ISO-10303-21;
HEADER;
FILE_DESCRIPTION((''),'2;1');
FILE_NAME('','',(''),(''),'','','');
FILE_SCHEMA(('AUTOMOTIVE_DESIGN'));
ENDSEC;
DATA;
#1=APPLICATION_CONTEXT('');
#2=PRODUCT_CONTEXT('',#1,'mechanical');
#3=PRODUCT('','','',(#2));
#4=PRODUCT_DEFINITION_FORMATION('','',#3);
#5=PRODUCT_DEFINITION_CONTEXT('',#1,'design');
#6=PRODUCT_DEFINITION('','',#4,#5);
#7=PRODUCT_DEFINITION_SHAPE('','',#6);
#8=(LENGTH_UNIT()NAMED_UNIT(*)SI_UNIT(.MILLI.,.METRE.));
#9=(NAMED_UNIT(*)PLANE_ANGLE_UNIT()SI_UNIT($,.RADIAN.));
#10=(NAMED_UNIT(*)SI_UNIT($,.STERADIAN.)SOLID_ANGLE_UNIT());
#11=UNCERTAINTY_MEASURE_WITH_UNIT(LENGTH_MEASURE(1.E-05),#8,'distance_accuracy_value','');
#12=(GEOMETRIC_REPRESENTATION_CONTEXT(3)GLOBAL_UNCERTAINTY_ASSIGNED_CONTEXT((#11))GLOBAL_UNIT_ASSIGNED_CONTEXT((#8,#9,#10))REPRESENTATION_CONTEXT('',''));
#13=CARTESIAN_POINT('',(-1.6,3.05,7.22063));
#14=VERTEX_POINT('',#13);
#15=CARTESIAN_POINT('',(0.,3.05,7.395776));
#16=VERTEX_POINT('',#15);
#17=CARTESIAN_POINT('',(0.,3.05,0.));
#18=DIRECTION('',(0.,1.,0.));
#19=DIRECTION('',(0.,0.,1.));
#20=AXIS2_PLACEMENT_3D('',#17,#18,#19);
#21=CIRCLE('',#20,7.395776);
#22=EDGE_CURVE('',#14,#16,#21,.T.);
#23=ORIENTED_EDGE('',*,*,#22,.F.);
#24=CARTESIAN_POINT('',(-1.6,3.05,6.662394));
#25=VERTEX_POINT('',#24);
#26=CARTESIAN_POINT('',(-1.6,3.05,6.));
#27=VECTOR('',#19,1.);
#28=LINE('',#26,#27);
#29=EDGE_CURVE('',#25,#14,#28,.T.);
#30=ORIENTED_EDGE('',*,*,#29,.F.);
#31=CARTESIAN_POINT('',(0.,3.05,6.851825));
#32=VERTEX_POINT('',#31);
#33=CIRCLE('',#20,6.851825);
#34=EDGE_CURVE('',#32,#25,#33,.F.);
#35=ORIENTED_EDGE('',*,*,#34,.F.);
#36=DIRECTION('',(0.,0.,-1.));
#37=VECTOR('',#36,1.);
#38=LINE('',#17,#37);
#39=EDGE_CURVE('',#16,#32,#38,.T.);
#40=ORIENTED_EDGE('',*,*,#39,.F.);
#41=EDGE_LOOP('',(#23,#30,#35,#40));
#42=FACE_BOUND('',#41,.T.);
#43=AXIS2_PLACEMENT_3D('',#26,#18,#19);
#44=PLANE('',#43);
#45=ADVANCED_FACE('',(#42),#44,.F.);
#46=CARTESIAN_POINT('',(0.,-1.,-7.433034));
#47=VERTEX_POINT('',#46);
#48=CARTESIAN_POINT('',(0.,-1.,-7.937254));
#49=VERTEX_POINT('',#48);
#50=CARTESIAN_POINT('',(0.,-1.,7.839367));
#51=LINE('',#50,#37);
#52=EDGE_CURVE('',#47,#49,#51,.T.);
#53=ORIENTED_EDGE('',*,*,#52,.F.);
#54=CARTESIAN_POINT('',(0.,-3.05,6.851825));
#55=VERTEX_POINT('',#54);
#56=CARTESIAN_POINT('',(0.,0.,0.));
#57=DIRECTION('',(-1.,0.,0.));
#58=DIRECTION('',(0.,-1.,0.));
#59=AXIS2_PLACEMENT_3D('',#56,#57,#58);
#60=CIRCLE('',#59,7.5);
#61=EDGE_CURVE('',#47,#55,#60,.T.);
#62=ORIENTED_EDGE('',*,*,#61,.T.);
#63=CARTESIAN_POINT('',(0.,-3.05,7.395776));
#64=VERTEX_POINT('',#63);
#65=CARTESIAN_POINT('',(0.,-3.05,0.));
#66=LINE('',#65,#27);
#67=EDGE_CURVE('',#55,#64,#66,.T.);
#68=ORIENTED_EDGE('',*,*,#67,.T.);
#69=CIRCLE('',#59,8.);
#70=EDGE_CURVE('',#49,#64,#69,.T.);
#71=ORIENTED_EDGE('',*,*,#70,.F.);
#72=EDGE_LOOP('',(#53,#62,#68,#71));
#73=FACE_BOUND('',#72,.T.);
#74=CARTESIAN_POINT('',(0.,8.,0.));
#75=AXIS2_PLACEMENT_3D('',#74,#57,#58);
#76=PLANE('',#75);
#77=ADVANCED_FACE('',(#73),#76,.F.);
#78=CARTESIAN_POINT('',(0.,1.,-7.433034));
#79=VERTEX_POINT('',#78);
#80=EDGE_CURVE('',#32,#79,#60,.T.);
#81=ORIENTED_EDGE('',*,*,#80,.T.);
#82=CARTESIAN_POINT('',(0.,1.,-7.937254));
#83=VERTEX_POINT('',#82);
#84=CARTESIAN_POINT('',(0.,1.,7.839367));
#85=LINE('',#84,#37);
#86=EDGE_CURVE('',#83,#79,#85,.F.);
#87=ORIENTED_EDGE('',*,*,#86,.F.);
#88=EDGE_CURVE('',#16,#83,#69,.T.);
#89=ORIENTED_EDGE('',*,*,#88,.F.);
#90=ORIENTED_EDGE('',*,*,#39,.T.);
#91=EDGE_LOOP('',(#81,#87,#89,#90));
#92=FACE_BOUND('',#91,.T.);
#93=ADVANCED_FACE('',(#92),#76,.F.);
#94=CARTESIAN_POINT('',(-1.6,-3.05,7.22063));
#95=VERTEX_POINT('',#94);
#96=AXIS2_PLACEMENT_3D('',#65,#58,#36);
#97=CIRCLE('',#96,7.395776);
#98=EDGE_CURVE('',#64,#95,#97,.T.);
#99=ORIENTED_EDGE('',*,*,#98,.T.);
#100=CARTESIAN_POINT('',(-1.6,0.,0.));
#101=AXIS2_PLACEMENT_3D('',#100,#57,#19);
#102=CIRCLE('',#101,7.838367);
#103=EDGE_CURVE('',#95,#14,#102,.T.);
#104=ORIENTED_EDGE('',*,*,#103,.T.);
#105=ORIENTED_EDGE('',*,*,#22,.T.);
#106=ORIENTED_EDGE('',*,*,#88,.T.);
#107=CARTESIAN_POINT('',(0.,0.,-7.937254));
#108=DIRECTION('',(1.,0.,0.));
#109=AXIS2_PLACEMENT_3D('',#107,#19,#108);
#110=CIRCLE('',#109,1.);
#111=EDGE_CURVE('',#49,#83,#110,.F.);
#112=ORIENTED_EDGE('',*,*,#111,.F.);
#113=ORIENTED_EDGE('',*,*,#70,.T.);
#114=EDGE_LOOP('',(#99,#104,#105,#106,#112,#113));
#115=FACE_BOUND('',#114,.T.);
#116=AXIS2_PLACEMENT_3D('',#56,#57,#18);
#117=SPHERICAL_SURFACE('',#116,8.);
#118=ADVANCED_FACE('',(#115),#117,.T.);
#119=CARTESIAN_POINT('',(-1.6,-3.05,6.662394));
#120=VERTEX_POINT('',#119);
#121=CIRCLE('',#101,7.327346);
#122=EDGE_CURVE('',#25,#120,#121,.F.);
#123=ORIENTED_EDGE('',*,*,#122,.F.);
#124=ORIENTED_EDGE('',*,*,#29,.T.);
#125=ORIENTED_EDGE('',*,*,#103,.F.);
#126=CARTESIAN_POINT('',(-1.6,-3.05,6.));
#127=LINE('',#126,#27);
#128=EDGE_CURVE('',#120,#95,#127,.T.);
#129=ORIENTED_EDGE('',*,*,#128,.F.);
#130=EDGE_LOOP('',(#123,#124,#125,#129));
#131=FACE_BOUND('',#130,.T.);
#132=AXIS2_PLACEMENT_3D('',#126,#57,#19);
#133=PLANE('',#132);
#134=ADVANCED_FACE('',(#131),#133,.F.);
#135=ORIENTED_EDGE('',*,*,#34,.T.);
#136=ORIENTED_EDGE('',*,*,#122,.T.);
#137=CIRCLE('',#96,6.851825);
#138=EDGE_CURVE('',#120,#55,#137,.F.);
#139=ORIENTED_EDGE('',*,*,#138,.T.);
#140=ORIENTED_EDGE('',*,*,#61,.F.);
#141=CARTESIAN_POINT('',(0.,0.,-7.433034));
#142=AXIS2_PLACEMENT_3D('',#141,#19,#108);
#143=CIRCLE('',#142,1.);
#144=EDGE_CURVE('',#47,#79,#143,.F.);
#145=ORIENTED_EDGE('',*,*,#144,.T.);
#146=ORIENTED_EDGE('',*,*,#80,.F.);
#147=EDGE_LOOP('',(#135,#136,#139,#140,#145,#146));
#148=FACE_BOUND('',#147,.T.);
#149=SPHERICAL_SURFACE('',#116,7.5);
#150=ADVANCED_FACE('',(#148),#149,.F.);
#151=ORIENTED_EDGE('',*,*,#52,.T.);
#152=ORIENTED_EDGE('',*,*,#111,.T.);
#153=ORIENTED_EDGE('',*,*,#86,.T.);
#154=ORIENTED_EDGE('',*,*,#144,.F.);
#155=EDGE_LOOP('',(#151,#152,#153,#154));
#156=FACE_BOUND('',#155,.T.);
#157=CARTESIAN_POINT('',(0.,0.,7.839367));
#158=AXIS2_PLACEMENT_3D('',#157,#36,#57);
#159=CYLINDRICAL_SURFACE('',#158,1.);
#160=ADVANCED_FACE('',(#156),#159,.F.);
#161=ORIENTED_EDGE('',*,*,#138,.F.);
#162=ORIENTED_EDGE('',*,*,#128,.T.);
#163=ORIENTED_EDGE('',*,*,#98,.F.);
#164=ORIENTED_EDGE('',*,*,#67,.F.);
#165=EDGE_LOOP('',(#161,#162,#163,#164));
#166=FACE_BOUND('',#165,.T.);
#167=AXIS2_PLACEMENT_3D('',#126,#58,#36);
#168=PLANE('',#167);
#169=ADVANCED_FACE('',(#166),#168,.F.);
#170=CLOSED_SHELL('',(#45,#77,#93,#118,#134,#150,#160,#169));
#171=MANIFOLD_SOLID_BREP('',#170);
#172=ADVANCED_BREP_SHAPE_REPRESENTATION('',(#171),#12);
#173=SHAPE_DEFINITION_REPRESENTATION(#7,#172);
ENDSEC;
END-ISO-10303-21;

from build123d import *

# Parameters (mm, degrees)
SKETCH2_W          = 3.2
SKETCH2_H          = 6.1
CUT_EXTRUDE1_DEPTH = 2
CUT_EXTRUDE2_REACH = 17.838
SKETCH3_R          = 1


with BuildPart() as part:
    # Sketch1 → Revolve1 (revolve)
    with BuildSketch(Plane.XY):
        with BuildLine():
            Line((0, 8), (0, 7.5))
            ThreePointArc((0, 7.5), (-5.303300859, 5.303300859), (-7.5, 0))
            Line((-7.5, 0), (-8, 0))
            ThreePointArc((-8, 0), (-5.656854249, 5.656854249), (0, 8))
        make_face()
    revolve(axis=Axis((-8, 0, 0), (1, 0, 0)))

    # Sketch2 → Cut-Extrude1 (cut)
    with BuildSketch(Plane.XY.offset(8)):
        Rectangle(SKETCH2_W, SKETCH2_H)
    extrude(amount=-CUT_EXTRUDE1_DEPTH, mode=Mode.SUBTRACT)

    # Sketch3 → Cut-Extrude2 (cut, up to next)
    with BuildSketch(Plane.XY.offset(-8), mode=Mode.PRIVATE) as cut_extrude2_sk1:
        Circle(SKETCH3_R)
    cut_extrude2_tool1 = extrude(cut_extrude2_sk1.sketch, amount=CUT_EXTRUDE2_REACH, mode=Mode.PRIVATE) & part.part
    add(cut_extrude2_tool1.solids().sort_by_distance((0, 0, -8))[0], mode=Mode.SUBTRACT)


solid = part.part
